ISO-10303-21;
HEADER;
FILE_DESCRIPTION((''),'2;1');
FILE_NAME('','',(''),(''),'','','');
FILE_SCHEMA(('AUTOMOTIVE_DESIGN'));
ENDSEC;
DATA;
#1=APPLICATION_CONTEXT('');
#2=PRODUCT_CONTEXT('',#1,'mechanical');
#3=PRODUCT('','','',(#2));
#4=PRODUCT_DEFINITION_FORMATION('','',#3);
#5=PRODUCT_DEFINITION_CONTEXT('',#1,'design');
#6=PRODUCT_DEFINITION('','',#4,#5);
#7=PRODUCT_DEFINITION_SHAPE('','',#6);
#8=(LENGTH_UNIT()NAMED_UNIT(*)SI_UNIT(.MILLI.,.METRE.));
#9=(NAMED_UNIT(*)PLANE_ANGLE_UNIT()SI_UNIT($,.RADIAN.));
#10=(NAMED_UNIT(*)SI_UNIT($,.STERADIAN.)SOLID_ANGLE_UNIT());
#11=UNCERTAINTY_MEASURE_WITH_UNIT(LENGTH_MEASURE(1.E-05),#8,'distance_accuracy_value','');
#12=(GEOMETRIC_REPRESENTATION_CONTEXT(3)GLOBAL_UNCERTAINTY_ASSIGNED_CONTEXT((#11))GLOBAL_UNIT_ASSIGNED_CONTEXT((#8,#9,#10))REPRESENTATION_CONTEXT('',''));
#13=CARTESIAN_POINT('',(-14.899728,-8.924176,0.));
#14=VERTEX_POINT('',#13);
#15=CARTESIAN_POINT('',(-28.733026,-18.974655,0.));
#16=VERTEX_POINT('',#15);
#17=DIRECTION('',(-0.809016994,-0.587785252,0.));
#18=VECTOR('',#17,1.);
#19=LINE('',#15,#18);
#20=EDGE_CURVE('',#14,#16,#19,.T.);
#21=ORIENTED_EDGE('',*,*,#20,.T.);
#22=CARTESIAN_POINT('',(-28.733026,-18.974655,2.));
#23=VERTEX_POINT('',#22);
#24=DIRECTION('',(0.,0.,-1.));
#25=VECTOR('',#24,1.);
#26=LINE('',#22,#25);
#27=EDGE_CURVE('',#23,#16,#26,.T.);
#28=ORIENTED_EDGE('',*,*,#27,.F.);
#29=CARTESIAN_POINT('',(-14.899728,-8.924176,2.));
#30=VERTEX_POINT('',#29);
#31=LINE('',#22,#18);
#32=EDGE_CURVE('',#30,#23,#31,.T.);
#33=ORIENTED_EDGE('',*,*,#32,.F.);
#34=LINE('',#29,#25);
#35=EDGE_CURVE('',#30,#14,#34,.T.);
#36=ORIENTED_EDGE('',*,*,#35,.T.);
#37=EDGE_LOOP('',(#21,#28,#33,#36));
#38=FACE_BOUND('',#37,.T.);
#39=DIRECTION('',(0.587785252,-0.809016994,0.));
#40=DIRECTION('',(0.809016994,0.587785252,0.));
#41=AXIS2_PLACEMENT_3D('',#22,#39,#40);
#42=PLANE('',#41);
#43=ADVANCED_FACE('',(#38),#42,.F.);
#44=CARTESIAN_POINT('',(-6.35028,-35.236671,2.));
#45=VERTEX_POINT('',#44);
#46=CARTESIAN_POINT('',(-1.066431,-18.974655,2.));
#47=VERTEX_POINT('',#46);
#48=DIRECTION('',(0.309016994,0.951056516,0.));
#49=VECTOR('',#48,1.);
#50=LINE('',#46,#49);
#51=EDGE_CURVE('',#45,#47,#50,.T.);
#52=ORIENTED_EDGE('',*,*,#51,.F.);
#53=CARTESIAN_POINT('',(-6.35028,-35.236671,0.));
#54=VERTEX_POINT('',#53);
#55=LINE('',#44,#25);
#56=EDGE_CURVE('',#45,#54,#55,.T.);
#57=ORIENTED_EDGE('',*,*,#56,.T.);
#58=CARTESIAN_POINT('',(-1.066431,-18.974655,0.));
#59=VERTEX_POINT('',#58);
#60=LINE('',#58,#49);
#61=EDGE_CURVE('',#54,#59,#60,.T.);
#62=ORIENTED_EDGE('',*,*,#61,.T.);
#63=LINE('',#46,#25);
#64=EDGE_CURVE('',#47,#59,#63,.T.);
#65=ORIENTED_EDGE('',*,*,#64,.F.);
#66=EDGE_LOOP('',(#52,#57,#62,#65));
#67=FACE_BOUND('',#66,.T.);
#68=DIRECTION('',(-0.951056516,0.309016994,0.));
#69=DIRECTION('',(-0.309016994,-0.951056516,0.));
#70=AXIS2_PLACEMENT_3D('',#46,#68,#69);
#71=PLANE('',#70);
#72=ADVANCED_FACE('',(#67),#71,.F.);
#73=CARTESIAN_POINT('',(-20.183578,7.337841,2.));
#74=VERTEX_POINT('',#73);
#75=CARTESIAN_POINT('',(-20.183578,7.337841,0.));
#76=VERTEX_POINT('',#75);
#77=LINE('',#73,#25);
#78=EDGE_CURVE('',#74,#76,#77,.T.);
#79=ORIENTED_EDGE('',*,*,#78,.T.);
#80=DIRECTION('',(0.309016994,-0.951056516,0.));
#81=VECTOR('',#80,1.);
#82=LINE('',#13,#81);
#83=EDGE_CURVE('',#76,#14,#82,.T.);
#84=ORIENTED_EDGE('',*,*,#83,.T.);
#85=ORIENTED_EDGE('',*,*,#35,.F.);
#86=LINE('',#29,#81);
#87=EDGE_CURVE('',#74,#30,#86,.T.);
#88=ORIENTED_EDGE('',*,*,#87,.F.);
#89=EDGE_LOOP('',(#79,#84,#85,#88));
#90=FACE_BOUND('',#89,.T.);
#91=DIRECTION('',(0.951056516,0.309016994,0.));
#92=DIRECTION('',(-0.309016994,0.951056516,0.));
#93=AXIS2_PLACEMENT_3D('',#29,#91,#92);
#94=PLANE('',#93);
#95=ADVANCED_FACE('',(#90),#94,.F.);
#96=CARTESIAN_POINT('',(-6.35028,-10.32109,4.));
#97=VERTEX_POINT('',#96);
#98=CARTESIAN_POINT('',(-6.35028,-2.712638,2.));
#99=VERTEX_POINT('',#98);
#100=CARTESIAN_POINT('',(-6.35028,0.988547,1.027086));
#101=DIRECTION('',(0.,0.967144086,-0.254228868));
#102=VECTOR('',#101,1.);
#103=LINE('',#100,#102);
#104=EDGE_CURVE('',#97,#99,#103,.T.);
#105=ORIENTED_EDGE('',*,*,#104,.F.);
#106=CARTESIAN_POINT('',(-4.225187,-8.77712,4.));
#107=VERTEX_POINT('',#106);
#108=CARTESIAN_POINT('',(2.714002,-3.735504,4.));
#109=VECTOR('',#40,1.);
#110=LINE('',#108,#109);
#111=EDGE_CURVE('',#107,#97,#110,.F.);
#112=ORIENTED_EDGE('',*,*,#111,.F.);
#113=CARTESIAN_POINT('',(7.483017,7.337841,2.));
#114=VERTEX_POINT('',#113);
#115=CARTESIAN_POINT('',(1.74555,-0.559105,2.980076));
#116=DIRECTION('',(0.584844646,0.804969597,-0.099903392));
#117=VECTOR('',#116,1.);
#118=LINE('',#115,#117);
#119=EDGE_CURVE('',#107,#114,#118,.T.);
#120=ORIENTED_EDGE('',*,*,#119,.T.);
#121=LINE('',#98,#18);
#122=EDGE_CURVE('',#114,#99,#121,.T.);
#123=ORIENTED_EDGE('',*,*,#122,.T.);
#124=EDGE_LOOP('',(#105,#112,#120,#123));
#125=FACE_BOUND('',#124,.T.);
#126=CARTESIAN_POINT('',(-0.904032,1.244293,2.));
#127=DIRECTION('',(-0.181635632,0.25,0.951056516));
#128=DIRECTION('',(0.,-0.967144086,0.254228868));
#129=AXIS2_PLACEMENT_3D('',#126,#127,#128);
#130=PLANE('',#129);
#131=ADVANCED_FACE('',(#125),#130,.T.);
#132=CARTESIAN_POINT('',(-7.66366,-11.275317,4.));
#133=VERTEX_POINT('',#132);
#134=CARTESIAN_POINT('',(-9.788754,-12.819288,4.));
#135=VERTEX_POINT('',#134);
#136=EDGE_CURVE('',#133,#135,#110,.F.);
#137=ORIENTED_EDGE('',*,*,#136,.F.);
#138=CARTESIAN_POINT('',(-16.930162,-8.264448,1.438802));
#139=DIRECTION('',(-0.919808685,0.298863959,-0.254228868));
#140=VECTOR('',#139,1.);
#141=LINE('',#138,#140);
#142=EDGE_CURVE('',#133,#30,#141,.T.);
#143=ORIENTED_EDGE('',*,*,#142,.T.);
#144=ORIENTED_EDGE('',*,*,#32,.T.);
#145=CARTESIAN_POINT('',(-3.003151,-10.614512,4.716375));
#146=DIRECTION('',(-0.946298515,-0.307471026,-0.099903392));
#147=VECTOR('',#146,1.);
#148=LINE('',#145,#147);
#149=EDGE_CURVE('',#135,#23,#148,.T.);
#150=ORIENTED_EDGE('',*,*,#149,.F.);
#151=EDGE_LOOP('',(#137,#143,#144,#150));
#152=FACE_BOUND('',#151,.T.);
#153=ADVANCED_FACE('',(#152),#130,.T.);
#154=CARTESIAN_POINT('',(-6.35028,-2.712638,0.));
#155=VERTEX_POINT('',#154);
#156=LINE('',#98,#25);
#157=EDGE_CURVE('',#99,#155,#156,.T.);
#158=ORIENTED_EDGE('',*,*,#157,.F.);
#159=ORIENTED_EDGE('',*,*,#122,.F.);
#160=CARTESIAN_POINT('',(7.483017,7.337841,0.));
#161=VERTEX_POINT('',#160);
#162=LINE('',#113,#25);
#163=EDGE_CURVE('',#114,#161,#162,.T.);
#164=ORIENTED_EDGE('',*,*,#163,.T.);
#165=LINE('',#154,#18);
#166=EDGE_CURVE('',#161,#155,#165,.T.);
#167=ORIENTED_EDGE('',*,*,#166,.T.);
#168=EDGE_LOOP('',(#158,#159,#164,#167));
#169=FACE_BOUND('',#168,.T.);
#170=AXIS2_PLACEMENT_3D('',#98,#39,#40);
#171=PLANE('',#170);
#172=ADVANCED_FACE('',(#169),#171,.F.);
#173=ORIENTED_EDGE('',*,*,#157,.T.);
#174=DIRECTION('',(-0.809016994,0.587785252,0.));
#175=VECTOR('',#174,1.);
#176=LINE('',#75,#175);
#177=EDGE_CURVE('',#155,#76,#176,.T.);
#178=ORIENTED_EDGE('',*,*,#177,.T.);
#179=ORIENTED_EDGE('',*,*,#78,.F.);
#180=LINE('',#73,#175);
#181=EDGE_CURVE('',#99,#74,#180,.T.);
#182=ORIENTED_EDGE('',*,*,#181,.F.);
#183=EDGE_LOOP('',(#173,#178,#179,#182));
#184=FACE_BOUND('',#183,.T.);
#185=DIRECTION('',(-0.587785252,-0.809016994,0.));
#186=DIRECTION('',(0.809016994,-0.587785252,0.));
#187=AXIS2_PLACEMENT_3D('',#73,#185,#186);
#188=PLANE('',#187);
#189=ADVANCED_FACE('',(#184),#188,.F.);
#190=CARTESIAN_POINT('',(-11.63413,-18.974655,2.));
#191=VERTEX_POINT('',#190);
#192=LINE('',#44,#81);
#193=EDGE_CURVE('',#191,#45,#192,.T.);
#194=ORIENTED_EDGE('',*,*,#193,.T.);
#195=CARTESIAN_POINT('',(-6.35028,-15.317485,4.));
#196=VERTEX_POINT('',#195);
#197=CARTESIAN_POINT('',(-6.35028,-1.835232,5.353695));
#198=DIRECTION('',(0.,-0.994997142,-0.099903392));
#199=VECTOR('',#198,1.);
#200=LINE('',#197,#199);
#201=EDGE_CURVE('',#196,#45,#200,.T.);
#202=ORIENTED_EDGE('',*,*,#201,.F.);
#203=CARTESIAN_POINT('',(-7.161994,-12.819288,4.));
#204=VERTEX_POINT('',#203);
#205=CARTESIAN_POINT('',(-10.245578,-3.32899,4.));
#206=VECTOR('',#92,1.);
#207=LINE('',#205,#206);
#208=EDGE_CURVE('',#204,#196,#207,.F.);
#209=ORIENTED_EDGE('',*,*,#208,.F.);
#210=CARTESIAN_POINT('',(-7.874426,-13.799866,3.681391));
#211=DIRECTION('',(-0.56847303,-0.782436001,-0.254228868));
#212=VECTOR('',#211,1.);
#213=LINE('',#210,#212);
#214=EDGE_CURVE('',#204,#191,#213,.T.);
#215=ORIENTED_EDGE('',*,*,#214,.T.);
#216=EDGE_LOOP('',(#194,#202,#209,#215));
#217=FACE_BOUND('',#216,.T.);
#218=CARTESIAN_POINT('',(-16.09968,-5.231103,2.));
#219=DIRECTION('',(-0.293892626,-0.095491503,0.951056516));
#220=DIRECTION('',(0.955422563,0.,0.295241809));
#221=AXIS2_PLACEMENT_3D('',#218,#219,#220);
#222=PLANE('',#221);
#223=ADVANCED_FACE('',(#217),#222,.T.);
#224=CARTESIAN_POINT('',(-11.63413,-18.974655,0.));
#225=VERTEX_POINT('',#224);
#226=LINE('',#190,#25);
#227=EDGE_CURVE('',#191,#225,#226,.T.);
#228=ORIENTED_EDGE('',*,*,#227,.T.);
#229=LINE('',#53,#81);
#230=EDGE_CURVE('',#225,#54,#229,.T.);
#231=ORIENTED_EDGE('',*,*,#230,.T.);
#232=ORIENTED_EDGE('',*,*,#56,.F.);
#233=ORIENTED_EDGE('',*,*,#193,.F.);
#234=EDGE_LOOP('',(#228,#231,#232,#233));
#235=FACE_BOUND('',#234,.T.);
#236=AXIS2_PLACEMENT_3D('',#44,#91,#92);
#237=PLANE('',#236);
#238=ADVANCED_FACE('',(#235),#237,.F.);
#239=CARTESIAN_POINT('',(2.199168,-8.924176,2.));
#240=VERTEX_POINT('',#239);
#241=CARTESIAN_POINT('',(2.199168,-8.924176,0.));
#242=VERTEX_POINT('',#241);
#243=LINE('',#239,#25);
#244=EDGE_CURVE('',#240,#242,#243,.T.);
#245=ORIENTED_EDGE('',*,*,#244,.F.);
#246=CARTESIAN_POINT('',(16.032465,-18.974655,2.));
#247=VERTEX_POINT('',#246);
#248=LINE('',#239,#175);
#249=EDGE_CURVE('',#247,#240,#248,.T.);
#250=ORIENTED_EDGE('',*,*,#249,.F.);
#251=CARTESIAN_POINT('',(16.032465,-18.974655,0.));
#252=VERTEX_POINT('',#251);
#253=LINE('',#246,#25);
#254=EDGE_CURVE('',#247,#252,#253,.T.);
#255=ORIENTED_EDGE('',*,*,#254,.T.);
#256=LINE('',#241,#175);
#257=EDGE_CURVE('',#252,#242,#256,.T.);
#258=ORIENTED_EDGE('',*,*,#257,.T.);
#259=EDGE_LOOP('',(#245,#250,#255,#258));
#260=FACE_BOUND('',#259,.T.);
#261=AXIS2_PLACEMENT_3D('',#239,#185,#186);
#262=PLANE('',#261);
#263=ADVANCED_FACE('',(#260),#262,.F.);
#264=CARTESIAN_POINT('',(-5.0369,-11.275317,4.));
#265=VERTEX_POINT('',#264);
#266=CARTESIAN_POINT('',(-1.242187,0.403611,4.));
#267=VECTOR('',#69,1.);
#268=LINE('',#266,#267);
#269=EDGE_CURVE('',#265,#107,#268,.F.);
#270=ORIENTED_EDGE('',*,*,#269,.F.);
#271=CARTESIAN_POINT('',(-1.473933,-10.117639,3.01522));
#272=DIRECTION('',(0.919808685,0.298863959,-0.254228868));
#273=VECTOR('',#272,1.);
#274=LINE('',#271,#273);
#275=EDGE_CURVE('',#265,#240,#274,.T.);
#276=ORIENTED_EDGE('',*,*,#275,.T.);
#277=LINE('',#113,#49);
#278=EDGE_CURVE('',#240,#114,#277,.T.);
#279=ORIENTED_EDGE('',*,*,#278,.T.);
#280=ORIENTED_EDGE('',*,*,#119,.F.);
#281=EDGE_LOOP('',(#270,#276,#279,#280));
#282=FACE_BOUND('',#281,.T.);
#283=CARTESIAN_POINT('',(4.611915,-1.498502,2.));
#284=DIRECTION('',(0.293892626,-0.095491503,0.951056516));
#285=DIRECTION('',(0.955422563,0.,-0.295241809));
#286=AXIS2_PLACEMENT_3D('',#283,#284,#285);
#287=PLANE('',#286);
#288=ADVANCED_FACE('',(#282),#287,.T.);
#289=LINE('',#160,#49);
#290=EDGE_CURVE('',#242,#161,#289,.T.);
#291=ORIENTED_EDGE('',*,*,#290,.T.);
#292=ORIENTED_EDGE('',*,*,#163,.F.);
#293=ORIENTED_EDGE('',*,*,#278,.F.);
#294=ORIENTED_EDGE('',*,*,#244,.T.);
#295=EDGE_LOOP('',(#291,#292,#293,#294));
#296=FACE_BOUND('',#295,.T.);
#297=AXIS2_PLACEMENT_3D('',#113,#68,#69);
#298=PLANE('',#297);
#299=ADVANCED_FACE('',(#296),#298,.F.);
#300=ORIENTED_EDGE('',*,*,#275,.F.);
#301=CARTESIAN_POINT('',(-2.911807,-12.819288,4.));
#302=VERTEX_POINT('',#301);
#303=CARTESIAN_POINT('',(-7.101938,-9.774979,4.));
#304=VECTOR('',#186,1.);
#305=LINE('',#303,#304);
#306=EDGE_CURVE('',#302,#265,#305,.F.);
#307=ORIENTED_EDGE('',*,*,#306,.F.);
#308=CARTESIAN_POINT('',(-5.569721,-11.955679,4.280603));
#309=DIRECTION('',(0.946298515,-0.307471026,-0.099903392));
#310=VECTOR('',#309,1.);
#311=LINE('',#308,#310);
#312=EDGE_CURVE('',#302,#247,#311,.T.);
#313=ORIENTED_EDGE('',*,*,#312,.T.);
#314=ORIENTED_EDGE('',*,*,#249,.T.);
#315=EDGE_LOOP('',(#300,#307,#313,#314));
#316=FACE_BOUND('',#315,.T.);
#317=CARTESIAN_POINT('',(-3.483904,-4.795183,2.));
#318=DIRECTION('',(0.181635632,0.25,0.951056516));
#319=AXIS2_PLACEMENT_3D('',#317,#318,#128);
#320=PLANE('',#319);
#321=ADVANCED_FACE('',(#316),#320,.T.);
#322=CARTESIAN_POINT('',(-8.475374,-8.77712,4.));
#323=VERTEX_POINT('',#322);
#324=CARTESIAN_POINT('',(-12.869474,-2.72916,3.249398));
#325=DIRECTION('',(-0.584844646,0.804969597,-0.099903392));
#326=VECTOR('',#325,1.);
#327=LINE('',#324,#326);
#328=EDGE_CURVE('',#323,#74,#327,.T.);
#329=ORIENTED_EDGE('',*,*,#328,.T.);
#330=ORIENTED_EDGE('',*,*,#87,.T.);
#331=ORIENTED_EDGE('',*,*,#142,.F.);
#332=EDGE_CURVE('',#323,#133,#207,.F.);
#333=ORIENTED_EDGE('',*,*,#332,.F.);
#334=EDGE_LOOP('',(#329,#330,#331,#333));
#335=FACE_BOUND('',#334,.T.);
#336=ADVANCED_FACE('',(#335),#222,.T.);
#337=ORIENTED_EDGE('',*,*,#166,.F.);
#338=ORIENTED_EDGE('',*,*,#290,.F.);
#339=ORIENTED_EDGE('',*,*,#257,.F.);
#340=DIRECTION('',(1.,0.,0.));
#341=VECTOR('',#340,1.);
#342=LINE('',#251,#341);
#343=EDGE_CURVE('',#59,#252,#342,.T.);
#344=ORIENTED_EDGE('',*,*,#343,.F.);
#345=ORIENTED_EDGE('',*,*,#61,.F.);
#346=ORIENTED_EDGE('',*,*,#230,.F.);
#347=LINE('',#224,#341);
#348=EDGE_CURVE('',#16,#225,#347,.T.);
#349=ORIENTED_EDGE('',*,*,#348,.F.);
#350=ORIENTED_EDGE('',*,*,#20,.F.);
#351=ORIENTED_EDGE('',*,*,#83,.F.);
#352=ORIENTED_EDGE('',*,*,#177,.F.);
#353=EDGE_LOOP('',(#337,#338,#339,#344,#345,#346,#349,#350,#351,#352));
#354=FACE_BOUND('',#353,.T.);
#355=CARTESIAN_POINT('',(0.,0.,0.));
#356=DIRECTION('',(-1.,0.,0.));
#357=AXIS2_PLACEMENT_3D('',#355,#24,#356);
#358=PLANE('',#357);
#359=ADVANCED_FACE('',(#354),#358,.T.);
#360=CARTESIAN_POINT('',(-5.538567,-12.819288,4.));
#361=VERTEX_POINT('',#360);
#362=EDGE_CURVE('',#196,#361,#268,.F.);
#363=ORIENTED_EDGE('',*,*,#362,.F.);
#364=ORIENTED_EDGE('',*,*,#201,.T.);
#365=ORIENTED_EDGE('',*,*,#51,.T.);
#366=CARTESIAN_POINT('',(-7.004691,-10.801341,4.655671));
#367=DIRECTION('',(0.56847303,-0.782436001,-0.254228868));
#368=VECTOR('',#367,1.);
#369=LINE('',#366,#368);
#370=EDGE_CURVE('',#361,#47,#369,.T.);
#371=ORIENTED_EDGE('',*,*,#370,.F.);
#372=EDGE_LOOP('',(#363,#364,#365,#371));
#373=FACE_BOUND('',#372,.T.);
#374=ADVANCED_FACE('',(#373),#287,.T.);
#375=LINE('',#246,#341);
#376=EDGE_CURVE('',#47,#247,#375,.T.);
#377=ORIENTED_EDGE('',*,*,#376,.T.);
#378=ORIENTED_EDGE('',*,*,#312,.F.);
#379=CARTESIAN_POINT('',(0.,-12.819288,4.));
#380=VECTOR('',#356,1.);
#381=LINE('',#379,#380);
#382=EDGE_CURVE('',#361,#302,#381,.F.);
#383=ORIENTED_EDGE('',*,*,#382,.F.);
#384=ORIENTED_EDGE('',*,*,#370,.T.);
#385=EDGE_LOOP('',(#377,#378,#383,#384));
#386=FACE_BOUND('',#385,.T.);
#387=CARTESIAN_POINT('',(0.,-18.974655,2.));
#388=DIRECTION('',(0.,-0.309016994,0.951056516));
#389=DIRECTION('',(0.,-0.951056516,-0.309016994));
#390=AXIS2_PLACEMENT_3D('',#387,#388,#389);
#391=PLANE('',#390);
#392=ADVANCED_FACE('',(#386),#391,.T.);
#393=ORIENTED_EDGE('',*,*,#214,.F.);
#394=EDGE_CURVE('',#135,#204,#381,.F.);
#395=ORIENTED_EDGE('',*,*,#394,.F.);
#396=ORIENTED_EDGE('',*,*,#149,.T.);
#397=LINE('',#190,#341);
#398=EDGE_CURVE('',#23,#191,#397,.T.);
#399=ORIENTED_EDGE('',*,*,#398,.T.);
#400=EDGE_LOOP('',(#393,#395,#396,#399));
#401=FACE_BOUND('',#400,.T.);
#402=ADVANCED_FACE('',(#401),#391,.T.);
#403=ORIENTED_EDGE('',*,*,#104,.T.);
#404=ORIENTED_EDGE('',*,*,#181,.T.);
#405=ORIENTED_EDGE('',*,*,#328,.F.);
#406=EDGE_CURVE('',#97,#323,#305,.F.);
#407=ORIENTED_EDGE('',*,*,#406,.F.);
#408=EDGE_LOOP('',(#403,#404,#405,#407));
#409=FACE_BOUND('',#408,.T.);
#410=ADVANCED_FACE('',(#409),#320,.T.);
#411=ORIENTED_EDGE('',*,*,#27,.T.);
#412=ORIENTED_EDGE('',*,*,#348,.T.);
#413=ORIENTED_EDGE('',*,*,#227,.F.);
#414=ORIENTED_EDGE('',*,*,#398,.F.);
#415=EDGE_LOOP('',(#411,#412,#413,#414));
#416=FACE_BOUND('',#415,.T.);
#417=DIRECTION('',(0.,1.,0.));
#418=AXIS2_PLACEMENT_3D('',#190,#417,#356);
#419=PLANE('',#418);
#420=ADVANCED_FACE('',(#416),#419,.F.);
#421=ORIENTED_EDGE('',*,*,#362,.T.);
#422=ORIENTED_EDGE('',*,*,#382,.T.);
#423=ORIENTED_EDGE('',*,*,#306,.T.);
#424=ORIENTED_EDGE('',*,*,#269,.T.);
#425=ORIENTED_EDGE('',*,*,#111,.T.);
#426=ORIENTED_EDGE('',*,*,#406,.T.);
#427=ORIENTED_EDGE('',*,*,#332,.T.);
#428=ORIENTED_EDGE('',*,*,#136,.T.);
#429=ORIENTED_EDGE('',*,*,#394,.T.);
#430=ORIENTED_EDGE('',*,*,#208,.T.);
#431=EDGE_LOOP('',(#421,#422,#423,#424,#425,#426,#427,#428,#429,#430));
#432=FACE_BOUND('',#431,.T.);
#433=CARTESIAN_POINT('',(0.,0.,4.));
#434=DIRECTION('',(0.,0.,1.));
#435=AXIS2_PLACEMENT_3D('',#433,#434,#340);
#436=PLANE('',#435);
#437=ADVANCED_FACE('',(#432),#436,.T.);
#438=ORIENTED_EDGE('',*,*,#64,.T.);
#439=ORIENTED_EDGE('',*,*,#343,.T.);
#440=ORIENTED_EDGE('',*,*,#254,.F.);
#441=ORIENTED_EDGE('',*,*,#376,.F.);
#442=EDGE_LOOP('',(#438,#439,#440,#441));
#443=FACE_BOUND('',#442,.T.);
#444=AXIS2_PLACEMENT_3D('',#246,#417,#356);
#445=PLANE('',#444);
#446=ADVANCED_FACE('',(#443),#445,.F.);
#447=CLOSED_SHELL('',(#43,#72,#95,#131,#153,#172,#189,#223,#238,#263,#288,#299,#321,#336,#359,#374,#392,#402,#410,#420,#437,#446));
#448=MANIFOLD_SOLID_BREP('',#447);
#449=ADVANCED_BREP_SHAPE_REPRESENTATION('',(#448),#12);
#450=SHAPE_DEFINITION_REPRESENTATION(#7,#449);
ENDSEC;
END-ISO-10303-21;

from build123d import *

# Parameters (mm, degrees)
SALIENTE_EXTRUIR1_DEPTH = 2
SALIENTE_EXTRUIR2_DEPTH = 2
SALIENTE_EXTRUIR2_DRAFT = 72


with BuildPart() as part:
    # Croquis1 → Saliente-Extruir1 (new body)
    with BuildSketch(Plane.XY):
        Polygon((-6.350280368, -35.236671251), (-11.634129822, -18.974654774), (-28.733025837, -18.974654774), (-14.899728375, -8.924175866), (-20.183577829, 7.337840611), (-6.350280368, -2.712638297), (7.483017094, 7.337840611), (2.19916764, -8.924175866), (16.032465101, -18.974654774), (-1.066430914, -18.974654774), align=None)
    extrude(amount=SALIENTE_EXTRUIR1_DEPTH)


with BuildPart() as saliente_extruir2_tool:
    # Croquis2 → Saliente-Extruir2 (with draft: the straight prism first)
    with BuildSketch(Plane.XY.offset(2)):
        Polygon((-14.899728375, -8.924175866), (-28.733025837, -18.974654774), (-11.634129822, -18.974654774), (-6.350280368, -35.236671251), (-1.066430914, -18.974654774), (16.032465101, -18.974654774), (2.19916764, -8.924175866), (7.483017094, 7.337840611), (-6.350280368, -2.712638297), (-20.183577829, 7.337840611), align=None)
    extrude(amount=SALIENTE_EXTRUIR2_DEPTH)
    # Saliente-Extruir2: the draft: its side faces are tilted about the plane it starts from
    saliente_extruir2_sides = [saliente_extruir2_tool.faces().sort_by_distance(p)[0] for p in [
        (-17.541653102, -0.793167627, 3),
        (-21.816377106, -13.94941532, 3),
        (-20.183577829, -18.974654774, 3),
        (-8.992205095, -27.105663013, 3),
        (-3.708355641, -27.105663013, 3),
        (7.483017094, -18.974654774, 3),
        (9.115816371, -13.94941532, 3),
        (4.841092367, -0.793167627, 3),
        (0.566368363, 2.312601157, 3),
        (-13.266929099, 2.312601157, 3),
    ]]
    draft(saliente_extruir2_sides, Plane.XY.offset(2), SALIENTE_EXTRUIR2_DRAFT)


with BuildPart() as part_1:
    add(part.part)

    # Saliente-Extruir2: add saliente_extruir2_tool
    add(saliente_extruir2_tool.part)


solid = part_1.part
